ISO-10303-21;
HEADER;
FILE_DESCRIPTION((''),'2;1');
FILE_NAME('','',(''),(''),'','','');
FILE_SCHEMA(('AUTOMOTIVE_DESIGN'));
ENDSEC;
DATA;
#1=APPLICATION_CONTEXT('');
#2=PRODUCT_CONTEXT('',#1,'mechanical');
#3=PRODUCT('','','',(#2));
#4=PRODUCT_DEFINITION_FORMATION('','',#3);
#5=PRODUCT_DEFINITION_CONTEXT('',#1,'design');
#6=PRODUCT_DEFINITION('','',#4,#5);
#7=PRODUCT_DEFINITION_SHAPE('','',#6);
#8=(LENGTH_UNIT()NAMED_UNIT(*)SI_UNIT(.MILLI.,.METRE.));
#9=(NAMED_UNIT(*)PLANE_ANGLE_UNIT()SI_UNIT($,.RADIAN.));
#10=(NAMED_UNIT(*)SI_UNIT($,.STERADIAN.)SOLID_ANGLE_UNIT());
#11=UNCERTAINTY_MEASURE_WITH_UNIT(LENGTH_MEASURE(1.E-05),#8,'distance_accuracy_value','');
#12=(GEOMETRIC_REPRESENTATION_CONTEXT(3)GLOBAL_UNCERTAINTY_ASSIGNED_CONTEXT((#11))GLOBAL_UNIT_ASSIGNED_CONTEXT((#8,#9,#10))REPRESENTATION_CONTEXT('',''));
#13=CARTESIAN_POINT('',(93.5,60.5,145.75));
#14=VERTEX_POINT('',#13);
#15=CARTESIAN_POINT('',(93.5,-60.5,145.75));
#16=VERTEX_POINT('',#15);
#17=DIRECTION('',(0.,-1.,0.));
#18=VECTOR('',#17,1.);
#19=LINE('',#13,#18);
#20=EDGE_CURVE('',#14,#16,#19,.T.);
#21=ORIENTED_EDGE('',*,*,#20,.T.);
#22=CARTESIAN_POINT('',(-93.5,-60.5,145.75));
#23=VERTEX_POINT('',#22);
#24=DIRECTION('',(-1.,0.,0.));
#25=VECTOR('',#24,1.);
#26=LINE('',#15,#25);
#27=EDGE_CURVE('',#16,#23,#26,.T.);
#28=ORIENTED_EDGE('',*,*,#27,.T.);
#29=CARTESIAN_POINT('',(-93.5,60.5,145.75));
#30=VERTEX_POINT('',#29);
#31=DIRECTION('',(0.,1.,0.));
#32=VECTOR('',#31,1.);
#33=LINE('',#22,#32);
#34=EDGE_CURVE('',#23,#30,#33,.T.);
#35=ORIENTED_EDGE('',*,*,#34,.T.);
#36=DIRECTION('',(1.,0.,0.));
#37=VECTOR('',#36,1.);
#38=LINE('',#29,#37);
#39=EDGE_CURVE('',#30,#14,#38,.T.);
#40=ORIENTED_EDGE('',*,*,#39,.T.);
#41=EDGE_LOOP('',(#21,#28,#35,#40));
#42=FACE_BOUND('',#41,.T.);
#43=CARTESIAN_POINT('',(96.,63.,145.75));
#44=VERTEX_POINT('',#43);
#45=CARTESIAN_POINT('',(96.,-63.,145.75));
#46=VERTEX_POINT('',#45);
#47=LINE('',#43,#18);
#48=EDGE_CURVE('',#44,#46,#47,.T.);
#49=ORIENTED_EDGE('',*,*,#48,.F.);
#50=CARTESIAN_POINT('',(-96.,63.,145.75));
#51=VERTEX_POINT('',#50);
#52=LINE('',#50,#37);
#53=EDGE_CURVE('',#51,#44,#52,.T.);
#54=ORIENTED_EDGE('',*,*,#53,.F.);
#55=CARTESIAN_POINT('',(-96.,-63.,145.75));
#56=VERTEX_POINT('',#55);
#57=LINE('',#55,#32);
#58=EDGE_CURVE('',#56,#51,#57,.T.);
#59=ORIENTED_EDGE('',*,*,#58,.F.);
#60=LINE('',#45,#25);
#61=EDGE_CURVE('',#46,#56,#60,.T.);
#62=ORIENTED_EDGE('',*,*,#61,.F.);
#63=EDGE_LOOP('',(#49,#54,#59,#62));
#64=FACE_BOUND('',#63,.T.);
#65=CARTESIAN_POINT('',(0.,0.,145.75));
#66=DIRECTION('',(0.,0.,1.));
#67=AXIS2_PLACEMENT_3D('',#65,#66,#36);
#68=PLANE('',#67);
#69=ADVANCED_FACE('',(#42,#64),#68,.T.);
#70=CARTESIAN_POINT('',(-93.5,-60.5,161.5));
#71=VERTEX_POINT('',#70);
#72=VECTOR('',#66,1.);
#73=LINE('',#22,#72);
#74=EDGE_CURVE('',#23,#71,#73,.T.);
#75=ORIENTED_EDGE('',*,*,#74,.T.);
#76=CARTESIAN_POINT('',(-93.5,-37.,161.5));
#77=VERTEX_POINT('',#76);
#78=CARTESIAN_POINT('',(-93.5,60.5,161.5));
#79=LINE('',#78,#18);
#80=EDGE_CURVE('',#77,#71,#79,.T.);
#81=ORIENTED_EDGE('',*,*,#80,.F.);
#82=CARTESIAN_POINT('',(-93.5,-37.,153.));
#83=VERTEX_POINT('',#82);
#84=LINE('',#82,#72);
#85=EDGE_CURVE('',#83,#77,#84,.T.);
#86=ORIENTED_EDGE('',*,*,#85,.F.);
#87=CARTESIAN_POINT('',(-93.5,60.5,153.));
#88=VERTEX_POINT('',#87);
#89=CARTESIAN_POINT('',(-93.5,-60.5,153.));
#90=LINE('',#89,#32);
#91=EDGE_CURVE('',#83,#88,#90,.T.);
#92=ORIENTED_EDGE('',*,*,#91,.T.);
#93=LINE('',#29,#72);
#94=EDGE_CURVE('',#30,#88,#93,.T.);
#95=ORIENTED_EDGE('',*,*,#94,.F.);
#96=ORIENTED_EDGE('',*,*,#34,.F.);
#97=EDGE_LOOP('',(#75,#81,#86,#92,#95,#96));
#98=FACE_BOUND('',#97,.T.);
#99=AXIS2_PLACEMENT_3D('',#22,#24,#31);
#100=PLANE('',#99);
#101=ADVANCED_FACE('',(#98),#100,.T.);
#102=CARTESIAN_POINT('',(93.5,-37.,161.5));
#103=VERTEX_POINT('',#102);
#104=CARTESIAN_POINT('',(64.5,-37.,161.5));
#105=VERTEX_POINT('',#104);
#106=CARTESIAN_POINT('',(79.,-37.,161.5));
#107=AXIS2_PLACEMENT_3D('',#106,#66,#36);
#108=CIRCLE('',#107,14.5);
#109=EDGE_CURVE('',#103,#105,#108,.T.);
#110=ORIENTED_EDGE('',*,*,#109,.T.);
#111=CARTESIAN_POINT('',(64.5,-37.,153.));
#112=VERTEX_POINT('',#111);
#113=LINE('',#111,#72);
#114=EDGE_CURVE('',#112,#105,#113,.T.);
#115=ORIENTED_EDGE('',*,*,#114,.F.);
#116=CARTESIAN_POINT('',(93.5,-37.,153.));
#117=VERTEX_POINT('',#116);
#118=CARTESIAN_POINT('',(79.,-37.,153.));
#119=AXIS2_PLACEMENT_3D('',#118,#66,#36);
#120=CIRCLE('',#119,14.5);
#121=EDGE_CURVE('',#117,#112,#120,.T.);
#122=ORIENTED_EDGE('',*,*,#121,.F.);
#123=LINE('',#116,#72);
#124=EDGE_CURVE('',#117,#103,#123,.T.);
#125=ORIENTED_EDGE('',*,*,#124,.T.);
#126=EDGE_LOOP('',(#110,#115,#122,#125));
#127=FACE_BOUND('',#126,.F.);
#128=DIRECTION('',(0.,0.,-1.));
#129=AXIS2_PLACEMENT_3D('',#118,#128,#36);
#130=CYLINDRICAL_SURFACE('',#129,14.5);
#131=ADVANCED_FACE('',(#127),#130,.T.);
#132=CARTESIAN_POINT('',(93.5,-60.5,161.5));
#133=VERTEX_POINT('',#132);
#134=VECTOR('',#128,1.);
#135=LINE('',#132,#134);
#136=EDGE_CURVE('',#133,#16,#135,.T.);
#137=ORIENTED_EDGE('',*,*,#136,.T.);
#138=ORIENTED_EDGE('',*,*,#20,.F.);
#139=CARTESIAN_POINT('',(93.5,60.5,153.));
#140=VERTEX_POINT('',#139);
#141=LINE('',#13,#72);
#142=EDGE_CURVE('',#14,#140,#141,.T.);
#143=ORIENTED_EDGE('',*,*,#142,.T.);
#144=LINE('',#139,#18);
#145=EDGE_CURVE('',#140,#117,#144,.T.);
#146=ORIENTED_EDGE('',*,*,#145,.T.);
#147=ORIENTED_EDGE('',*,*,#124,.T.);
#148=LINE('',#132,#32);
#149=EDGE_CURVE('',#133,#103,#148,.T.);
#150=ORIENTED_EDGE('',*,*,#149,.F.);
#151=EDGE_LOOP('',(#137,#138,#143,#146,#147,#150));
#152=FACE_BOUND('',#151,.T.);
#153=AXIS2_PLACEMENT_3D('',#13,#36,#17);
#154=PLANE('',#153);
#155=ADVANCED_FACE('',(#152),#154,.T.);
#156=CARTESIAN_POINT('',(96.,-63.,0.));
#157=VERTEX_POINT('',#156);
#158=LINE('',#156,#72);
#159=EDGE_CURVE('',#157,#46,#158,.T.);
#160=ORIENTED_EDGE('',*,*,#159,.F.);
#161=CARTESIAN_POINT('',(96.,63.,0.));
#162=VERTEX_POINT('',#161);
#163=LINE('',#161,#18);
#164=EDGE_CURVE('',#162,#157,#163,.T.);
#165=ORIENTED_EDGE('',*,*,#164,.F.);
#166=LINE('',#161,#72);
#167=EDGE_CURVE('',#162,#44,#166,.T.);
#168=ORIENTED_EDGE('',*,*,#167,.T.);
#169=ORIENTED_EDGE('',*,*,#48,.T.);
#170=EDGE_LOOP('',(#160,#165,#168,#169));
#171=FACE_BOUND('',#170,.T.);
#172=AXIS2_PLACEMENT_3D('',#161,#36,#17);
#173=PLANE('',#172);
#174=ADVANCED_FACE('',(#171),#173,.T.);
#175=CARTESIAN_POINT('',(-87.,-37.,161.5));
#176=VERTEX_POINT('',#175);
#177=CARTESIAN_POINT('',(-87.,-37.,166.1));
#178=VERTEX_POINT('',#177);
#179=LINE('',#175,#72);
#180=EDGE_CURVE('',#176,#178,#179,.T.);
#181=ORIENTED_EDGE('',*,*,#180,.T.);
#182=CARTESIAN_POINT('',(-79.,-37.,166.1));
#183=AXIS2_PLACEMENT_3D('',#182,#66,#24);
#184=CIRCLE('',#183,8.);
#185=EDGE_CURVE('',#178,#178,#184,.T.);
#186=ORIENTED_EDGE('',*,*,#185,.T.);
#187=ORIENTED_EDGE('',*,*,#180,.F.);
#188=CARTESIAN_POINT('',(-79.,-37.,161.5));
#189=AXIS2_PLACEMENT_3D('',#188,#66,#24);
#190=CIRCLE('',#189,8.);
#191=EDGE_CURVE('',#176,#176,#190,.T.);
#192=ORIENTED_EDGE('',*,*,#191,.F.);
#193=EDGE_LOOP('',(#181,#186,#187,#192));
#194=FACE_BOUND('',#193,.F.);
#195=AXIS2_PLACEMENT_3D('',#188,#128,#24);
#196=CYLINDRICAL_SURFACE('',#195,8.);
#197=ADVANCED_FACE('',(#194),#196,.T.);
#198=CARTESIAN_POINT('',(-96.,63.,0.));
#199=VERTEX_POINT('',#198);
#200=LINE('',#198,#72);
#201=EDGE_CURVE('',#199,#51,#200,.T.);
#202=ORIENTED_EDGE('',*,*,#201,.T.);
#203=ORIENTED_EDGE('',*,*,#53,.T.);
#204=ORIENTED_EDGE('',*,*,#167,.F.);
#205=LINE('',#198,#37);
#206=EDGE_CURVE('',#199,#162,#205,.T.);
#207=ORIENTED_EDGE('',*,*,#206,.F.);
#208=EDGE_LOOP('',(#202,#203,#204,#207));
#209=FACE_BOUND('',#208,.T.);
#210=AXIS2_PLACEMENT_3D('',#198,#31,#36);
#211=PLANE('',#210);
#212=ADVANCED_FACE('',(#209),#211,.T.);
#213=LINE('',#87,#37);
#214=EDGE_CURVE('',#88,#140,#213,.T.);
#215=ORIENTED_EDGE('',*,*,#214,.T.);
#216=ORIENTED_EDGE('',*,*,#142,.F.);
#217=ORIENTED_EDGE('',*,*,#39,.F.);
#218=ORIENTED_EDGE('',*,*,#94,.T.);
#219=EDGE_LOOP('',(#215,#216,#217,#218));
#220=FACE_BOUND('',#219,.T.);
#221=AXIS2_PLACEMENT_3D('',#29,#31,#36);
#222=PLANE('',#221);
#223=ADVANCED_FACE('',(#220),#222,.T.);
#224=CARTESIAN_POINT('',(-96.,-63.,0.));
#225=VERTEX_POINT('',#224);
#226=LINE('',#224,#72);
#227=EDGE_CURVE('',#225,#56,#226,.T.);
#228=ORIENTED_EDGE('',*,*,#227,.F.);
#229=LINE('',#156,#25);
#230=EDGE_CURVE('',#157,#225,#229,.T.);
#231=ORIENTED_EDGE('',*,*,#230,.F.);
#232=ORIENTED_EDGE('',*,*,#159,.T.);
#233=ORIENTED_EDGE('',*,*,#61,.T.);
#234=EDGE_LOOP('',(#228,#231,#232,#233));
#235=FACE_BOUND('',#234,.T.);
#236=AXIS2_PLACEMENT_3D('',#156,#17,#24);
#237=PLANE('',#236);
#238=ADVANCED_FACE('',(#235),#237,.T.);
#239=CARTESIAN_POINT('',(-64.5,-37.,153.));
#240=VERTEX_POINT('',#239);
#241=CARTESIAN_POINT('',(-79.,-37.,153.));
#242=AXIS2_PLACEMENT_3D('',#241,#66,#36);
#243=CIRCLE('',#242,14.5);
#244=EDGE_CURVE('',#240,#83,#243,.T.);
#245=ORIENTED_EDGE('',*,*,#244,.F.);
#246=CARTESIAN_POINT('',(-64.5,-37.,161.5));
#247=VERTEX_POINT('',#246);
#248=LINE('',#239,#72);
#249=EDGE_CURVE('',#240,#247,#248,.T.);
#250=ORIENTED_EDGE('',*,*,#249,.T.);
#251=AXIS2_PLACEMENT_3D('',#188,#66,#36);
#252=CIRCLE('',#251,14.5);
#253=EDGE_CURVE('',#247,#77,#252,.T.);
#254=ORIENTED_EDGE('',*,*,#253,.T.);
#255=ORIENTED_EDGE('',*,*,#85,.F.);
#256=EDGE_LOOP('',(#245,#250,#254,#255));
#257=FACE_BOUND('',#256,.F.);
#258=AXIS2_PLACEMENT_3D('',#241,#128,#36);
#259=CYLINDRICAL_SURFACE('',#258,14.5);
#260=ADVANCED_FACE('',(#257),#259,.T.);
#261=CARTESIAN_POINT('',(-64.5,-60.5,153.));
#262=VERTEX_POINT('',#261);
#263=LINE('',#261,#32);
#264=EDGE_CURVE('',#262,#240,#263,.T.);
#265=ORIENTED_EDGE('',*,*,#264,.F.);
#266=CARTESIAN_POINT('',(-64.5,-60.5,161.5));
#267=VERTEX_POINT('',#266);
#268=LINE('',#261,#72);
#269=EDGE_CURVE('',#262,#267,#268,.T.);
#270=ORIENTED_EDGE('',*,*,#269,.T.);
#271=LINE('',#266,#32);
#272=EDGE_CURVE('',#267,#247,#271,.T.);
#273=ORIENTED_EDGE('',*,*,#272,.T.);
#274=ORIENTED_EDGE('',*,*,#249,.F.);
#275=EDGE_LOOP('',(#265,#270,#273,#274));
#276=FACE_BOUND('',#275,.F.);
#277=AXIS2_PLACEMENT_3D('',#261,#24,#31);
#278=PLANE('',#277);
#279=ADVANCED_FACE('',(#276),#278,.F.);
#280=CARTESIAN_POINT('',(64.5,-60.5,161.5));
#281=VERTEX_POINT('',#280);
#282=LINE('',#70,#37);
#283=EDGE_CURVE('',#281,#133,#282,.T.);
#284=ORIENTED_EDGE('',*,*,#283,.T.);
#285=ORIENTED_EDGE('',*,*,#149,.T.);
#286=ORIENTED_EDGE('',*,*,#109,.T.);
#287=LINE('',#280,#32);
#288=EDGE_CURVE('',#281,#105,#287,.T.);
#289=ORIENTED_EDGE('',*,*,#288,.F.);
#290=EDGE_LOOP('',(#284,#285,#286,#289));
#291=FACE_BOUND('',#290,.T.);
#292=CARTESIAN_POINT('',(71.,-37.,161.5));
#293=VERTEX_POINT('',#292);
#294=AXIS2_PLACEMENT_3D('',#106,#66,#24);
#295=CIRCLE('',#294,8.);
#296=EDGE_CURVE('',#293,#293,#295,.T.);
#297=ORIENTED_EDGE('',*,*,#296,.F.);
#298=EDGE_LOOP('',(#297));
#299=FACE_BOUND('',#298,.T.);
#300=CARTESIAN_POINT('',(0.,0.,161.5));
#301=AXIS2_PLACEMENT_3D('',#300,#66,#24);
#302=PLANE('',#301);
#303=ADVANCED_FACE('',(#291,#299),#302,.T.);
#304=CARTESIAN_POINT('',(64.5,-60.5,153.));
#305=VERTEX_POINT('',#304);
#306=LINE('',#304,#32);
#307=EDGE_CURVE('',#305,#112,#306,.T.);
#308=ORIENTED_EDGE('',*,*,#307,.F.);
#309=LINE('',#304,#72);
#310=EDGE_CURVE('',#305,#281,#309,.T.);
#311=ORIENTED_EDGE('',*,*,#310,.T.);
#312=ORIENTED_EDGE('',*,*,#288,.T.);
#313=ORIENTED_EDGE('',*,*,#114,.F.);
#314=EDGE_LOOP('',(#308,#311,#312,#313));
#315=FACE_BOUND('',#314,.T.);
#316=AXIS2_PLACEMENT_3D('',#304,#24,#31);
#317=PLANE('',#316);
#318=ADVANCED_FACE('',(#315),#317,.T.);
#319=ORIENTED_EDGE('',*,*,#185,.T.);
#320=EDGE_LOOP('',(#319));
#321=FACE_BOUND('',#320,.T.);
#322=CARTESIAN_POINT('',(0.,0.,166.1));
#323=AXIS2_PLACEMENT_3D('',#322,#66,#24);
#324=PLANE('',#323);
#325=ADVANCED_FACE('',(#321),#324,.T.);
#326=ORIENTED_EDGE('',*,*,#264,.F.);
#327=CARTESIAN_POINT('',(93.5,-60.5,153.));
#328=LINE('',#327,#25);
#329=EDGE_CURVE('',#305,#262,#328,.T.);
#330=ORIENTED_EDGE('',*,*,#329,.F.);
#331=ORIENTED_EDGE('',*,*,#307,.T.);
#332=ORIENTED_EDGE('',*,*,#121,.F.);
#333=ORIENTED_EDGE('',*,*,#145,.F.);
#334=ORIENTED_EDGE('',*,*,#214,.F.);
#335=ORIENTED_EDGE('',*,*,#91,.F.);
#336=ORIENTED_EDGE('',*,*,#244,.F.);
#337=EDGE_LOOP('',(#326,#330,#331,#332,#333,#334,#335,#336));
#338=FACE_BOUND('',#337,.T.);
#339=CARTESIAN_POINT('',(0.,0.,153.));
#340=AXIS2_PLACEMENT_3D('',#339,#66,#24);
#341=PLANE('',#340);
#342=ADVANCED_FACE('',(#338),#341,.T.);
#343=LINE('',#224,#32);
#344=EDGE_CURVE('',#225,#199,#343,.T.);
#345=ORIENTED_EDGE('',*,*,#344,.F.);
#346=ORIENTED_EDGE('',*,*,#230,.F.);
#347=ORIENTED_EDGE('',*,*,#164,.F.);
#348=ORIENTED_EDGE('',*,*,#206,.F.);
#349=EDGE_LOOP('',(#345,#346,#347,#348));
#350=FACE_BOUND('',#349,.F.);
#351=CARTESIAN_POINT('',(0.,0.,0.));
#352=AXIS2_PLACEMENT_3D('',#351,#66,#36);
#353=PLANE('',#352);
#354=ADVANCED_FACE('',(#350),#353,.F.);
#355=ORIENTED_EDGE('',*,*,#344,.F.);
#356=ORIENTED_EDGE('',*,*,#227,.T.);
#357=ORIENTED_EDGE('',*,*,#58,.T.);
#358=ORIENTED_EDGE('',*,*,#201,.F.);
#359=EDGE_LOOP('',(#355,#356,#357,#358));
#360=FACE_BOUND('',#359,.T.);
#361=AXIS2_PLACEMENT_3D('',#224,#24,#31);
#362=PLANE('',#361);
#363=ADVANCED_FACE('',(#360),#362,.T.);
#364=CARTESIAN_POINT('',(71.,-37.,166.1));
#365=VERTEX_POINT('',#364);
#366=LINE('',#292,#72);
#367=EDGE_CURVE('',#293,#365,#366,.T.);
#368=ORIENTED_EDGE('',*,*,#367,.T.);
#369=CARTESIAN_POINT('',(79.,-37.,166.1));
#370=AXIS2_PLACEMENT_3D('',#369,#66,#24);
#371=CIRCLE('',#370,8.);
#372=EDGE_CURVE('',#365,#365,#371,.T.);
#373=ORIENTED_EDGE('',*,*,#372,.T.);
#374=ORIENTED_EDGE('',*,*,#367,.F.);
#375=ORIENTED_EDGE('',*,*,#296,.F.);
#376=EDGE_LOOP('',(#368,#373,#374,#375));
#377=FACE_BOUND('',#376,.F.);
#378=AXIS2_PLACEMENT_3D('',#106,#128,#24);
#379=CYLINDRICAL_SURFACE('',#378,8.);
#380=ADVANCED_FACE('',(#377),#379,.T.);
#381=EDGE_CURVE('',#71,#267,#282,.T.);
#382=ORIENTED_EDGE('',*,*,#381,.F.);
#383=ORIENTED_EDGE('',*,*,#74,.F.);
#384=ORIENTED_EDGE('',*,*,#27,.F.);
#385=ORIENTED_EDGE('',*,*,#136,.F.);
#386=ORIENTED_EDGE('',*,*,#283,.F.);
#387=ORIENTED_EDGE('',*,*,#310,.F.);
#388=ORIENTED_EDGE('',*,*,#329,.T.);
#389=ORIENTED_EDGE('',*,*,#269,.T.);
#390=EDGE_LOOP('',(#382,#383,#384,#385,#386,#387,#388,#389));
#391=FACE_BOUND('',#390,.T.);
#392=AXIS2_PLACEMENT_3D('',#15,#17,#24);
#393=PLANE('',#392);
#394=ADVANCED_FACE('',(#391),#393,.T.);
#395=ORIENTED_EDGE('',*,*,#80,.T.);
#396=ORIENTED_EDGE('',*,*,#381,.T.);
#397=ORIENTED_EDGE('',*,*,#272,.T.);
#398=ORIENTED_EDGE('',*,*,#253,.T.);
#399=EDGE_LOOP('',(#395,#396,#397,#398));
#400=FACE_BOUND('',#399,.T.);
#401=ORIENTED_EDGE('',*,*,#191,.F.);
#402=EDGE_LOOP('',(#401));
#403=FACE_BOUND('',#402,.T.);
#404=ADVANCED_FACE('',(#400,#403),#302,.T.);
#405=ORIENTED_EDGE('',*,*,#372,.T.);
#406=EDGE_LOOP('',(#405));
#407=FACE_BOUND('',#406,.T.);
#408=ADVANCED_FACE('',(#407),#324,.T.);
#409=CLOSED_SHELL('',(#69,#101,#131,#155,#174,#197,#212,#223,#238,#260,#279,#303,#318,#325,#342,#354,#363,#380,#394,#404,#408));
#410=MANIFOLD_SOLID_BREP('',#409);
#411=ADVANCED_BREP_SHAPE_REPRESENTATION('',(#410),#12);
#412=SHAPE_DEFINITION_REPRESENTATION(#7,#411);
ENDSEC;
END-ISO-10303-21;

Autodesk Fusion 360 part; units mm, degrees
sketch "Sketch1" plane through (0, 0, 0) normal (0, 0, 1) x (1, 0, 0)
  line L0 (96, -63) -> (-96, -63)
  line L1 (-96, -63) -> (-96, 63)
  line L2 (-96, 63) -> (96, 63)
  line L3 (96, 63) -> (96, -63)
  line L4 (96, -63) -> (-96, 63) construction
  line L5 (-96, -63) -> (96, 63) construction
  dimension "d1" = 192
  dimension "d2" = 126
extrude "Extrude1" add sketch "Sketch1" along normal blind 145.75
sketch "Sketch4" plane through (0, 0, 145.75) normal (0, 0, 1) x (-1, 0, 0)
  line L0 (-96, -63) -> (96, -63)
  line L1 (96, -63) -> (96, 63)
  line L2 (96, 63) -> (-96, 63)
  line L3 (-96, 63) -> (-96, -63)
  line L4 (96, -63) -> (-96, -63)
  line L5 (-96, -63) -> (-96, 63)
  line L6 (-96, 63) -> (96, 63)
  line L7 (96, 63) -> (96, -63)
  line L8 (-93.5, 60.5) -> (93.5, 60.5)
  line L9 (93.5, 60.5) -> (93.5, -60.5)
  line L10 (93.5, -60.5) -> (-93.5, -60.5)
  line L11 (-93.5, -60.5) -> (-93.5, 60.5)
  dimension "d12" = 2.5
extrude "Extrude4" add sketch "Sketch4" along normal blind 7.25 contours L8 L9 L10 L11
sketch "Sketch5" plane through (0, 0, 153) normal (0, 0, 1) x (-1, 0, 0)
  line L0 (-93.5, -60.5) -> (93.5, -60.5)
  line L1 (93.5, -60.5) -> (93.5, 60.5)
  line L2 (93.5, 60.5) -> (-93.5, 60.5)
  line L3 (-93.5, 60.5) -> (-93.5, -60.5)
  line L4 (93.5, 60.5) -> (64.5, 60.5)
  line L5 (64.5, 60.5) -> (64.5, 37)
  line L6 (93.5, 37) -> (93.5, 60.5)
  line L7 (-93.5, 60.5) -> (-64.5, 60.5)
  line L8 (-64.5, 60.5) -> (-64.5, 37)
  line L9 (-93.5, 37) -> (-93.5, 60.5)
  arc A0 (64.5, 37) -> (93.5, 37) centre (79, 37) ccw
  arc A1 (-93.5, 37) -> (-64.5, 37) centre (-79, 37) ccw
  dimension "d15" = 14.5
  dimension "d16" = 23.5
extrude "Extrude5" add sketch "Sketch5" along normal blind 8.5 contours L2 L3 L7 L8 L9 A1 | L1 L2 L4 L5 L6 A0
sketch "Sketch6" plane through (0, 0, 161.5) normal (0, 0, 1) x (-1, 0, 0)
  arc A0 (64.5, 37) -> (93.5, 37) centre (79, 37) ccw
  line L0 (93.5, 37) -> (93.5, 60.5)
  line L1 (93.5, 60.5) -> (64.5, 60.5)
  line L2 (64.5, 60.5) -> (64.5, 37)
  circle A1 centre (79, 37) radius 8
  circle A2 centre (-79, 37) radius 8
  arc A3 (-93.5, 37) -> (-64.5, 37) centre (-79, 37) ccw
  dimension "d19" = 16
extrude "Extrude6" add sketch "Sketch6" along normal blind 4.6 contours A1 | A2
equation "d3 = 153 mm - 7.25 mm"
equation "d16 = 38 mm - 14.5 mm"
